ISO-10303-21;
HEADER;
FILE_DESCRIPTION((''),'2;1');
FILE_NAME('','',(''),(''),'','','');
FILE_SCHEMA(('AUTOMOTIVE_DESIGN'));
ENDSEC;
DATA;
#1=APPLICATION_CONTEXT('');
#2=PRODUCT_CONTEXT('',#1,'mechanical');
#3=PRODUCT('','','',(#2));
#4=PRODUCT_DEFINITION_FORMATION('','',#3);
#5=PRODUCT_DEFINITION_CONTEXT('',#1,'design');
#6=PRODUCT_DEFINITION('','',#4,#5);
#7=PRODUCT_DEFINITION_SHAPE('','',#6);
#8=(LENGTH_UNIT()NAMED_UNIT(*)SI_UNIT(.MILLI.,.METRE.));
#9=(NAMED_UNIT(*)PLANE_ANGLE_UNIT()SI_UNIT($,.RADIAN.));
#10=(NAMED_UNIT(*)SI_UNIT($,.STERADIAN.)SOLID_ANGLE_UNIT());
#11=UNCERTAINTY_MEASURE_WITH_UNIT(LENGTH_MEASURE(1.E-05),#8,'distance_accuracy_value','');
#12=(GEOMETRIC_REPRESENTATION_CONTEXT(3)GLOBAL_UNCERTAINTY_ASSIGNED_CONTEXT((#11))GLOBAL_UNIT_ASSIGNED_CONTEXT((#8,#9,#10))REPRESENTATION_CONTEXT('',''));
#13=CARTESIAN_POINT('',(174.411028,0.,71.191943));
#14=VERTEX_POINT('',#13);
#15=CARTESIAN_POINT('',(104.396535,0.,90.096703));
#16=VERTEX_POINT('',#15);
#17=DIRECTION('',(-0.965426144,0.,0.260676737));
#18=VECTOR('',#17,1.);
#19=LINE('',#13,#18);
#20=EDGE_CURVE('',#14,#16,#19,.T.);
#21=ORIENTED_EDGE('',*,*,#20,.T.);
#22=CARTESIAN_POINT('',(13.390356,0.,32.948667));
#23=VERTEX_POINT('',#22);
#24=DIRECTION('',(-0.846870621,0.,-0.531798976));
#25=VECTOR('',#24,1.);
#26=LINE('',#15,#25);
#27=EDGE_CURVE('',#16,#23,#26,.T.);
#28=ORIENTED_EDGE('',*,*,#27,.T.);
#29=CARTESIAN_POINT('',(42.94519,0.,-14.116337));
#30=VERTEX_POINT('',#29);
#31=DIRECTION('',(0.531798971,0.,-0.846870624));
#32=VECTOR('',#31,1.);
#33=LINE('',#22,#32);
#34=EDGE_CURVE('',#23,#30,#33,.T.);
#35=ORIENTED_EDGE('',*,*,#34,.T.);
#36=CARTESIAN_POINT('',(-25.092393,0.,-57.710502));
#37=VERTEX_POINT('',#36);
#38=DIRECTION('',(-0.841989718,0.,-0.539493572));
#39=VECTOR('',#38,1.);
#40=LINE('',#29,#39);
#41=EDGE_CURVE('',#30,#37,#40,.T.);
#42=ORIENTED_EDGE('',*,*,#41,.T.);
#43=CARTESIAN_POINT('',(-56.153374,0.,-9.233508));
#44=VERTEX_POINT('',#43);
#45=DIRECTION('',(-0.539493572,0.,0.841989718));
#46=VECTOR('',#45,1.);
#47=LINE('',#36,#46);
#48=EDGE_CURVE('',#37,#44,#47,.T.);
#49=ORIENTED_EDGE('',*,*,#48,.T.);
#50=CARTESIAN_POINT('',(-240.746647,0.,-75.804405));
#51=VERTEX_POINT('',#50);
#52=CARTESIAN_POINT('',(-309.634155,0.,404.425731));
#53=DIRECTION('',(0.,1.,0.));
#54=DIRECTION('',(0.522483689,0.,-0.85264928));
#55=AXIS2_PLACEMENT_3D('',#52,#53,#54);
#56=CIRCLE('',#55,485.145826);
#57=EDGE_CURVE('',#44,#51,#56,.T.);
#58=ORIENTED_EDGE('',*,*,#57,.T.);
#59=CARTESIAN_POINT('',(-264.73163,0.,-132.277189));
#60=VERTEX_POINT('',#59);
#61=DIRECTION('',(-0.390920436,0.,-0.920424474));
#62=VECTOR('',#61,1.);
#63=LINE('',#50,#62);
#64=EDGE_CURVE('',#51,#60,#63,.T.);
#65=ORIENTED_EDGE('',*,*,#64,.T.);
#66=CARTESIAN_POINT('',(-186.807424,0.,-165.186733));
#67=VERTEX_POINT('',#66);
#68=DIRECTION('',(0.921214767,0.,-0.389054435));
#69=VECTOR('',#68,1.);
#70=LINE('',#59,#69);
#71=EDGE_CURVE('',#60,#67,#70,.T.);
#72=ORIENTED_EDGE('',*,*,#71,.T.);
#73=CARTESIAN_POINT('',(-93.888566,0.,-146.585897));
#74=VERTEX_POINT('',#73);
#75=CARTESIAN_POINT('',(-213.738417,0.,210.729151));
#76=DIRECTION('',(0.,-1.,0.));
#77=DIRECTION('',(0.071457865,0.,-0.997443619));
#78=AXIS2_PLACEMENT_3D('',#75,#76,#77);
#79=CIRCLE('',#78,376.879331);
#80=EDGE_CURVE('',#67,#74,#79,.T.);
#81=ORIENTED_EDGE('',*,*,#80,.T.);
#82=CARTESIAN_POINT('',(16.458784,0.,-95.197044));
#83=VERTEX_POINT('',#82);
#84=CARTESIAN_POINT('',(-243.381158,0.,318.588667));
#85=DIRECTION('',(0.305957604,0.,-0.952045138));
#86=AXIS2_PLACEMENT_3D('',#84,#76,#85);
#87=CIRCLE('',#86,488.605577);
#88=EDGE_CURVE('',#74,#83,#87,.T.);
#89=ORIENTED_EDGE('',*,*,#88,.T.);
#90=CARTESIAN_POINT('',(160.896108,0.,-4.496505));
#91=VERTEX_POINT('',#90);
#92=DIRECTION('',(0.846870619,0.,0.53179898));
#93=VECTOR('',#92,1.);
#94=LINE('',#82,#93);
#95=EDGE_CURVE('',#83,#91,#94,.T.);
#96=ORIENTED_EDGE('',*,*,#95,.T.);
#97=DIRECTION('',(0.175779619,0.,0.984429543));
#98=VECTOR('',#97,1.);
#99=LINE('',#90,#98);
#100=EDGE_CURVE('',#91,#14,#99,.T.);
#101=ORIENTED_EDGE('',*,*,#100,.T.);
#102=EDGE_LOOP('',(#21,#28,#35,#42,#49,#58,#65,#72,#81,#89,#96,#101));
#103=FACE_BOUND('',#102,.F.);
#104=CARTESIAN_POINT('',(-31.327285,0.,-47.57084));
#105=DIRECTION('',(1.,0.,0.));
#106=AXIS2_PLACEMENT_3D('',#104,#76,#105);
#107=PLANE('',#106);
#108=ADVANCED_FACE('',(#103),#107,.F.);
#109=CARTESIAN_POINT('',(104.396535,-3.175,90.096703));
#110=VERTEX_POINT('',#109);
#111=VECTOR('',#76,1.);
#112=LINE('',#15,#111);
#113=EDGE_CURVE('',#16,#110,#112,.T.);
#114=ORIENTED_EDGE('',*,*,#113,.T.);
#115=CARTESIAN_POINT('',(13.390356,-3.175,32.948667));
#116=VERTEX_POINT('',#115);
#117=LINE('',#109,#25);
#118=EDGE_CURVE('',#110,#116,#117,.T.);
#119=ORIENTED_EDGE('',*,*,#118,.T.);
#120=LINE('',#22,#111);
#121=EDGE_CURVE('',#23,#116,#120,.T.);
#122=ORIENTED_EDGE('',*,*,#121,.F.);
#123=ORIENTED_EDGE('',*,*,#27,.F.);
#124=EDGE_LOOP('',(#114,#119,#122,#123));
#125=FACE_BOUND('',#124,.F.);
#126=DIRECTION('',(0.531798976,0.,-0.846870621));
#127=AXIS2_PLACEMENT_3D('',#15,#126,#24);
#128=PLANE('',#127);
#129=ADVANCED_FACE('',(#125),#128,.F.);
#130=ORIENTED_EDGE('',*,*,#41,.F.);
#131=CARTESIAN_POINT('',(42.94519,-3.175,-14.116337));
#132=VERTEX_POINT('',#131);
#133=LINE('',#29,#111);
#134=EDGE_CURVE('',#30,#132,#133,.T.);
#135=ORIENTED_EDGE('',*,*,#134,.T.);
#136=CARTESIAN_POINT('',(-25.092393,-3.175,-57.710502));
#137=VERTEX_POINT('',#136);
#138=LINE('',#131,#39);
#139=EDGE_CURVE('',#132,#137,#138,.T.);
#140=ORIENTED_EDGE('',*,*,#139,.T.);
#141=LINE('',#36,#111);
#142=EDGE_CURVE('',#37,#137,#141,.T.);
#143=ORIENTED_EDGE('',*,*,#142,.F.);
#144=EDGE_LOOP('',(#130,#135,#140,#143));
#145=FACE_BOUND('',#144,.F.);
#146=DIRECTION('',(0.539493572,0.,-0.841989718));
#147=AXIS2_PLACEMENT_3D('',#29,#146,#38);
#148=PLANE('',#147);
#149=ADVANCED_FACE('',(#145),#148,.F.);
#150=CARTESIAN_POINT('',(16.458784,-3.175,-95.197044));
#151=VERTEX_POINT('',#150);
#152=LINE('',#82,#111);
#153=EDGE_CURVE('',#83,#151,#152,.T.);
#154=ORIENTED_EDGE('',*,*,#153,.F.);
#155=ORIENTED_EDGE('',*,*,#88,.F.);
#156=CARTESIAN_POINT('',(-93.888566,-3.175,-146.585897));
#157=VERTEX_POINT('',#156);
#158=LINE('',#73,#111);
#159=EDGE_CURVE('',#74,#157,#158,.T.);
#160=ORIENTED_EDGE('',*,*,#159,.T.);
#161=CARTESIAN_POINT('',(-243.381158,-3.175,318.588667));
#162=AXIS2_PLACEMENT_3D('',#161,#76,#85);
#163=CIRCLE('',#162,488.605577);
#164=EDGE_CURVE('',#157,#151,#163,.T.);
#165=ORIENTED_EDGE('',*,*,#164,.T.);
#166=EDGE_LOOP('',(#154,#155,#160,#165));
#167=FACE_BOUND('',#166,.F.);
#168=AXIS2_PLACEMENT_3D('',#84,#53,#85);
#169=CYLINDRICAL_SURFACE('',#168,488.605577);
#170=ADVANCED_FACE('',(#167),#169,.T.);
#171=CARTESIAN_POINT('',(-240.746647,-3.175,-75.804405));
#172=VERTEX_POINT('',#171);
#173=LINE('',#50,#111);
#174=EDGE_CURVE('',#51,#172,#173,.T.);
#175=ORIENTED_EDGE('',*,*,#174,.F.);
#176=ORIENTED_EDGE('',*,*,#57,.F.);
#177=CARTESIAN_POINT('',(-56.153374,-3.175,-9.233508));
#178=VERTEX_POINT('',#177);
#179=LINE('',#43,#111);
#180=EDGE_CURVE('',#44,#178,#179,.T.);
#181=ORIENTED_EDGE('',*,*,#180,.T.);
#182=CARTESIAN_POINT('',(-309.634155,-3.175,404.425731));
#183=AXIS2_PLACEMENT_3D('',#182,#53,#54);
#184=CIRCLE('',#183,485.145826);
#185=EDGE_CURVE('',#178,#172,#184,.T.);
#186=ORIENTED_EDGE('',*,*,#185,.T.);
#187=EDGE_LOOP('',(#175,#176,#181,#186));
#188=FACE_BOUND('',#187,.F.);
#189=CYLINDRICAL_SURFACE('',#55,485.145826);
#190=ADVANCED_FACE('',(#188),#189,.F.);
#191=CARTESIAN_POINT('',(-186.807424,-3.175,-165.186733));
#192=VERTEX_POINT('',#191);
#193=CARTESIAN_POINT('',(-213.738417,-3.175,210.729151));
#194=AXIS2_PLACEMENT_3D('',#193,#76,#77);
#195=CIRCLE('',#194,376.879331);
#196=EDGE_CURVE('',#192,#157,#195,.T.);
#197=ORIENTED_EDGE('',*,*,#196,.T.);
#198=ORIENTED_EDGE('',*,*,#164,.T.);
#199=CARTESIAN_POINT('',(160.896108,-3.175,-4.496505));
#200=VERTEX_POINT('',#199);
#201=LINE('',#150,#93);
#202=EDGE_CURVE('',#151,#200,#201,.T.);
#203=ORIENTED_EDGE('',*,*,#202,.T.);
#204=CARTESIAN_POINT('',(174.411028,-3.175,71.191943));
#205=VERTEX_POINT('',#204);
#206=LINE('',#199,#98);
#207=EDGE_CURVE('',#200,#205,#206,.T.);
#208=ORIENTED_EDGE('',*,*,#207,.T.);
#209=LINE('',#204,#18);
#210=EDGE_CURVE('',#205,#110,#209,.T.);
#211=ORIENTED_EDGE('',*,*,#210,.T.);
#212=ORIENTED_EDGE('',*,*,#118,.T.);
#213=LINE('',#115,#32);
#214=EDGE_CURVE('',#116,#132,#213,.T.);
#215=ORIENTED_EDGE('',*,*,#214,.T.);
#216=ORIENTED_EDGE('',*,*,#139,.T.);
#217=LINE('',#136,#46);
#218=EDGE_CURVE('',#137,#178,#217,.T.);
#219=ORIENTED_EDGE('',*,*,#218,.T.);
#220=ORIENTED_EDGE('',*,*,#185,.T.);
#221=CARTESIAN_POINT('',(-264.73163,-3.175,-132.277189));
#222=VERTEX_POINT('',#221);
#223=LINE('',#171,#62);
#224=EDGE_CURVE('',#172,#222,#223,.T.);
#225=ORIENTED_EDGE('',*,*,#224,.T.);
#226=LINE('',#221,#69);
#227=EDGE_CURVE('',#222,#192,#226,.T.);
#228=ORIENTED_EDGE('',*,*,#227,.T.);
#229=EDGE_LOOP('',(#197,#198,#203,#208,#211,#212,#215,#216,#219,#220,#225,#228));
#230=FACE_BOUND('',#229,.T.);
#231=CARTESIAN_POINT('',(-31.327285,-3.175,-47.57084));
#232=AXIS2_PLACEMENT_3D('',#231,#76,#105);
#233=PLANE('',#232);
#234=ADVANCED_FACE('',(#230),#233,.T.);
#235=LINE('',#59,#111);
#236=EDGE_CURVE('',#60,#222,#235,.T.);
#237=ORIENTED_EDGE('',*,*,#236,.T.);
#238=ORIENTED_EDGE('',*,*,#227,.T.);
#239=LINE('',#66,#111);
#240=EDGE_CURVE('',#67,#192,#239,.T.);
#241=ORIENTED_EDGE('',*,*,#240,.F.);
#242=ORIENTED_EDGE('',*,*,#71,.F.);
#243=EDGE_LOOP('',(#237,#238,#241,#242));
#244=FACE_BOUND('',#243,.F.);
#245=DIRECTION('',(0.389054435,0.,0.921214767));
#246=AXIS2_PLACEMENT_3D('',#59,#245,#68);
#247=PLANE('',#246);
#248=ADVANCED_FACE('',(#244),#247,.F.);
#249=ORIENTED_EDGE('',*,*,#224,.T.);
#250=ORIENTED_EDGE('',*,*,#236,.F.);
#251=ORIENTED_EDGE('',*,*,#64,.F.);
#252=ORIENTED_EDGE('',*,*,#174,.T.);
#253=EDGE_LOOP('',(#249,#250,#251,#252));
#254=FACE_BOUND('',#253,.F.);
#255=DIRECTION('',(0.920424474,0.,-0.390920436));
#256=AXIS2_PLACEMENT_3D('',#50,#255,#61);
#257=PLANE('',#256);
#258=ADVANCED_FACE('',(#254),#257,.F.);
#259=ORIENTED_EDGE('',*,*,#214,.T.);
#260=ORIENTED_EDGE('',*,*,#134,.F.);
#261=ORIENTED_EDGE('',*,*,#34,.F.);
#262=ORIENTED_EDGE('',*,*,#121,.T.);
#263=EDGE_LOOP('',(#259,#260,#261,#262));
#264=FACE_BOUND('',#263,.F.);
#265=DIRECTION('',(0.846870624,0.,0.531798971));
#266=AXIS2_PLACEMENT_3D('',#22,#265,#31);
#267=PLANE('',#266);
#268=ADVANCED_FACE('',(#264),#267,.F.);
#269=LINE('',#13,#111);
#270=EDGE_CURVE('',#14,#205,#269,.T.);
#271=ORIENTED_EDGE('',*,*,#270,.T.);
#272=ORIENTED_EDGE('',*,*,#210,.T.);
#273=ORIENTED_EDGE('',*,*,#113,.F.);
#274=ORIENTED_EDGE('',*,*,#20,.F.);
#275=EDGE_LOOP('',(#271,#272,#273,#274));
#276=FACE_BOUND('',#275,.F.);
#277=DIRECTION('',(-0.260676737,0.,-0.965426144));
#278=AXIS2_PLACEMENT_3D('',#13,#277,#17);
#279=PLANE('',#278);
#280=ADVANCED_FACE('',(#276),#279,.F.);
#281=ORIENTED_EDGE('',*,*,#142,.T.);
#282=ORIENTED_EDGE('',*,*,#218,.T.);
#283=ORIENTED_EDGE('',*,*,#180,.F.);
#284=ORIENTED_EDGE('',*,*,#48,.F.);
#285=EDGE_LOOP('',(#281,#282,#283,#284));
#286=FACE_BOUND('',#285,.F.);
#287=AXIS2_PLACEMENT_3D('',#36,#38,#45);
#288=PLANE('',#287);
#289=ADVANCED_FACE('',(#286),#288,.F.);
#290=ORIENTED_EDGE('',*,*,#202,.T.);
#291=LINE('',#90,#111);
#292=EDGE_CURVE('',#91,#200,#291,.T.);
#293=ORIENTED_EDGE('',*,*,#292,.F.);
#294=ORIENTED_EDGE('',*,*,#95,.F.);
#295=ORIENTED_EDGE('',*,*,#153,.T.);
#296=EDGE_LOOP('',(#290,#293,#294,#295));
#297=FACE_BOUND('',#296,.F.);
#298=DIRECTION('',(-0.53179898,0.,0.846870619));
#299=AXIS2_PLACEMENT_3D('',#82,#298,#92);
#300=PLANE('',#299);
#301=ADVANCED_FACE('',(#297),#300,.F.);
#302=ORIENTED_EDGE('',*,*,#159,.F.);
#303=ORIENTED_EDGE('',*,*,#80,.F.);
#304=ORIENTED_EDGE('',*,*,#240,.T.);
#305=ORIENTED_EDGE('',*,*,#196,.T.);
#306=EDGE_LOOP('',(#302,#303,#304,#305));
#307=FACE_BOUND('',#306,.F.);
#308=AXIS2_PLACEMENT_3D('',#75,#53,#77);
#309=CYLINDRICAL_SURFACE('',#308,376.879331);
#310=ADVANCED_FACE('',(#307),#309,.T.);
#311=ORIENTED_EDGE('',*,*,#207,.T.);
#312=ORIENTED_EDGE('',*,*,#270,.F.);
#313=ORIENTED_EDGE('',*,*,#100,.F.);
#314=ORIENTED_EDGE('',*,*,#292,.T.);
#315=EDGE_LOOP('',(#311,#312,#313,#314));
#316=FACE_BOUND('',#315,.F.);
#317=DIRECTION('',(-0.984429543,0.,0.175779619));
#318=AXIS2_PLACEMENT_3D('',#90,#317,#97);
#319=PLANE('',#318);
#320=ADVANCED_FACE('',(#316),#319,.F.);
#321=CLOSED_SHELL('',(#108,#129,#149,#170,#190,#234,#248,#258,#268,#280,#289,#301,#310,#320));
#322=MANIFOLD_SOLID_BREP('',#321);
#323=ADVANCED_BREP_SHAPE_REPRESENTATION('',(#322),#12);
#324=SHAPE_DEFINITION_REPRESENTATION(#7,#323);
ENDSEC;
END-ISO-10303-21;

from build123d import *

# Parameters (mm, degrees)
F1_DEPTH = 3.175


with BuildPart() as f1:
    # F0 (on Front) → F1 (new body)
    with BuildSketch(Plane.XZ):
        with BuildLine():
            Line((104.396535, 90.096703), (13.390356, 32.948667))
            Line((13.390356, 32.948667), (42.94519, -14.116337))
            Line((42.94519, -14.116337), (-25.092393, -57.710502))
            Line((-25.092393, -57.710502), (-56.153374, -9.233508))
            ThreePointArc((-56.153374, -9.233508), (-145.049072, -51.949359), (-240.746647, -75.804405))
            Line((-240.746647, -75.804405), (-264.73163, -132.277189))
            Line((-264.73163, -132.277189), (-186.807424, -165.186733))
            ThreePointArc((-186.807424, -165.186733), (-139.761043, -158.818381), (-93.888566, -146.585897))
            ThreePointArc((-93.888566, -146.585897), (-37.108318, -124.341266), (16.458784, -95.197044))
            Line((16.458784, -95.197044), (160.896108, -4.496505))
            Line((160.896108, -4.496505), (174.411028, 71.191943))
            Line((174.411028, 71.191943), (104.396535, 90.096703))
        make_face()
    extrude(amount=F1_DEPTH)


solid = f1.part
